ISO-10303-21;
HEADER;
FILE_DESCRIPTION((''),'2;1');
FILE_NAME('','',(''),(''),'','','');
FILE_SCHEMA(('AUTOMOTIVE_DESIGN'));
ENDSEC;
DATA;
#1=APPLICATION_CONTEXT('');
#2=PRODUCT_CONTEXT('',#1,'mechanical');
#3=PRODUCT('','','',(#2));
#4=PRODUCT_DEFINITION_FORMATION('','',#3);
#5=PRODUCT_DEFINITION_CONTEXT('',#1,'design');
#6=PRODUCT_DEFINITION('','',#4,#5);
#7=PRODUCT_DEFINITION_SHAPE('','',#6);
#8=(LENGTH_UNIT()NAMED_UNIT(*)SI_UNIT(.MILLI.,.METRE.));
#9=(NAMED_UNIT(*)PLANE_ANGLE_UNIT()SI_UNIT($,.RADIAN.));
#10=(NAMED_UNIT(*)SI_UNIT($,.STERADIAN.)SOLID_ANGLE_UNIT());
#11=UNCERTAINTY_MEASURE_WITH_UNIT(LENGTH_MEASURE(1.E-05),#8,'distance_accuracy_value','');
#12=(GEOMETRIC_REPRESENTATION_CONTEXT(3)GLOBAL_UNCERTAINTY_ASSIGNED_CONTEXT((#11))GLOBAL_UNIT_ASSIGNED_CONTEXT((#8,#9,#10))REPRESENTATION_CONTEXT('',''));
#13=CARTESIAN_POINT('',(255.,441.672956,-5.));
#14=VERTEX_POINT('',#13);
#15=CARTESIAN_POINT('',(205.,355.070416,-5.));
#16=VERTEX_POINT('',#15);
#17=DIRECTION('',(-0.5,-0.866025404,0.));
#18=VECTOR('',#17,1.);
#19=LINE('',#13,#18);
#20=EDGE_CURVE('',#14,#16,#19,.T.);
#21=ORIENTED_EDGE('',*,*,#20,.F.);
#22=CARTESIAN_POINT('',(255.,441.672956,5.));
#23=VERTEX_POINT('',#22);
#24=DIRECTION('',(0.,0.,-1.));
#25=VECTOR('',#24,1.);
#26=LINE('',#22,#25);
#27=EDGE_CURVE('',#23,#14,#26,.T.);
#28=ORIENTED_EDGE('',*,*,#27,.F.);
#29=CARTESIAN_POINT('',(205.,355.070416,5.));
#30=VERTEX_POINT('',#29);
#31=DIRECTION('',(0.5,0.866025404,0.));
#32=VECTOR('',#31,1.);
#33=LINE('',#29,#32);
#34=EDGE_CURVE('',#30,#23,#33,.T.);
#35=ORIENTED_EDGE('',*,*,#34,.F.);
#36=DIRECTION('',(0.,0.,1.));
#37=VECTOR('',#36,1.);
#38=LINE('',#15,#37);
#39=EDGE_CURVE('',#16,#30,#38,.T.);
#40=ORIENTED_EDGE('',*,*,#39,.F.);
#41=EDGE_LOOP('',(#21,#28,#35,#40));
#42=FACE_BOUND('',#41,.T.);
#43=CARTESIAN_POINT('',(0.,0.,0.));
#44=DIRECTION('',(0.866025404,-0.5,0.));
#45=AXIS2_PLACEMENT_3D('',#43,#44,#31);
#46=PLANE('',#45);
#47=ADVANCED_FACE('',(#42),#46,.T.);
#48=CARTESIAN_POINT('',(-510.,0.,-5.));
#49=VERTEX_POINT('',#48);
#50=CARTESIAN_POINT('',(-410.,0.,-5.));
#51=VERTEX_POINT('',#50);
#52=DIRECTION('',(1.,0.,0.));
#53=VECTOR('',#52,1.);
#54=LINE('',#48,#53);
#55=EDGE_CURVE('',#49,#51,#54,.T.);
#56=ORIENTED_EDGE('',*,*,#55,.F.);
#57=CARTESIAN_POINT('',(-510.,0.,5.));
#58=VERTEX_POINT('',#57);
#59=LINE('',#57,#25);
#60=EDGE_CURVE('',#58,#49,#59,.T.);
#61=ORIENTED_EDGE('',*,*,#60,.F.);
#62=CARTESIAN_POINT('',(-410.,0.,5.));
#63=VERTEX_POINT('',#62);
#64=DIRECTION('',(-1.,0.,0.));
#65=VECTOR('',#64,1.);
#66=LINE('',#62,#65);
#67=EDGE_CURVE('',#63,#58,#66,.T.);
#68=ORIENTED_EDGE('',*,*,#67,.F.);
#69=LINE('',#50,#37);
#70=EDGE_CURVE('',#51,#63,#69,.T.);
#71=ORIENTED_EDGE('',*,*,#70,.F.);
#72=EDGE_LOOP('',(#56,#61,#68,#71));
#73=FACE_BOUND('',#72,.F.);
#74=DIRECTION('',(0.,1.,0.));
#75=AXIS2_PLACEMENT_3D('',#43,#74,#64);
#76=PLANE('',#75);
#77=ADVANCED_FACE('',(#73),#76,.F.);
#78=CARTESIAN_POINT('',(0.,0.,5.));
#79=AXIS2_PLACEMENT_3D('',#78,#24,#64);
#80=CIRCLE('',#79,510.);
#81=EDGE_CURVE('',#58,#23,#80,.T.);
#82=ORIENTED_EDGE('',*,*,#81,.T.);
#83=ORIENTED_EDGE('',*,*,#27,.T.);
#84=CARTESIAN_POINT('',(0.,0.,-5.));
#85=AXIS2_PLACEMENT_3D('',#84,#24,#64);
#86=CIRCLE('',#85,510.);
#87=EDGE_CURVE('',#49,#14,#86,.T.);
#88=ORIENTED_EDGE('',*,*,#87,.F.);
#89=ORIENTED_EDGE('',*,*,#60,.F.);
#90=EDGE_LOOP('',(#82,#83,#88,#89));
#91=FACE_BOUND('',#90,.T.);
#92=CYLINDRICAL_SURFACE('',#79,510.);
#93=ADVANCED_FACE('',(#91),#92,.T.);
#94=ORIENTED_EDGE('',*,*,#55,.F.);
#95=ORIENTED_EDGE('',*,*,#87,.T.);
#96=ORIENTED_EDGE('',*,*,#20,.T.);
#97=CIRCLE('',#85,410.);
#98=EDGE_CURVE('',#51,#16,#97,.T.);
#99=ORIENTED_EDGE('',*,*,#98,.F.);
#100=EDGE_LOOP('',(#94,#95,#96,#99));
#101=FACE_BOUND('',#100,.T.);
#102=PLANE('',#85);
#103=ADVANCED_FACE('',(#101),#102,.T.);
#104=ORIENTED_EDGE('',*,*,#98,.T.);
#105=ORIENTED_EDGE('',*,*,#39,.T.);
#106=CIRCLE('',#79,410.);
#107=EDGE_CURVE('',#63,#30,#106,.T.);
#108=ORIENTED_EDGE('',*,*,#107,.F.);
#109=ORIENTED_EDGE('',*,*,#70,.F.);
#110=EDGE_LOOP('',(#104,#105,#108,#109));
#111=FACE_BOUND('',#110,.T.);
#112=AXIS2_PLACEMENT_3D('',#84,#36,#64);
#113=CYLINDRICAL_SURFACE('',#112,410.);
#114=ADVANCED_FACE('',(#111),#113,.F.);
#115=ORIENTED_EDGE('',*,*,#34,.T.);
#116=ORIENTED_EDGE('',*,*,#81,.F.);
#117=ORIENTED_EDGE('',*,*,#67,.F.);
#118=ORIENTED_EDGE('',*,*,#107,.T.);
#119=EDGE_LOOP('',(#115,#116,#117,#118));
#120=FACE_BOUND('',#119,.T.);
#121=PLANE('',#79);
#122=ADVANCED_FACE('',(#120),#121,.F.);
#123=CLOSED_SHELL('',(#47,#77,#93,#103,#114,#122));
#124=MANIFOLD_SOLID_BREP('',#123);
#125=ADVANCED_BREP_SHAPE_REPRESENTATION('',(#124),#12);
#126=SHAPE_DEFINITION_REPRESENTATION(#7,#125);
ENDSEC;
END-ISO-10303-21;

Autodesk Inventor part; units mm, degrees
ref_plane "YZ Plane" through (0, 0, 0) normal (1, 0, 0) x (0, 1, 0)
ref_plane "XZ Plane" through (0, 0, 0) normal (0, 1, 0) x (-1, 0, 0)
ref_plane "XY Plane" through (0, 0, 0) normal (0, 0, 1) x (1, 0, 0)
sketch "Sketch1" plane through (0, 0, 0) normal (0, 1, 0) x (-1, 0, 0)
  line L0 (410, 5) -> (510, 5)
  line L1 (510, 5) -> (510, -5)
  line L2 (510, -5) -> (410, -5)
  line L3 (410, -5) -> (410, 5)
  line L4 (0, 85.4801) -> (0, -85.4801)
  point P0 (0, 0)
  point P1 (0, 0)
  point P2 (410, 0)
  dimension "d0" = 100
  dimension "d1" = 410
  dimension "d2" = 10
revolve "Revolution1" add sketch "Sketch1" angle 120 about axis through (0, 0, 85.4801) along (0, 0, -1)
equation "\"BendReliefWidth\" = Thickness"
equation "\"BendReliefDepth\" = 0.5 * Thickness"
equation "\"CornerReliefSize\" = 4 * Thickness"
equation "\"MinimumRemnant\" = 2 * Thickness"
equation "\"TransitionRadius\" = BendRadius"
equation "\"JacobiRadiusSize\" = BendRadius"
equation "\"GapSize\" = Thickness"
equation "\"Thickness\" = 2"
equation "\"BendRadius\" = 2.75"
properties part number "BSH 083 barrel amplifier" material "Stainless Steel"
